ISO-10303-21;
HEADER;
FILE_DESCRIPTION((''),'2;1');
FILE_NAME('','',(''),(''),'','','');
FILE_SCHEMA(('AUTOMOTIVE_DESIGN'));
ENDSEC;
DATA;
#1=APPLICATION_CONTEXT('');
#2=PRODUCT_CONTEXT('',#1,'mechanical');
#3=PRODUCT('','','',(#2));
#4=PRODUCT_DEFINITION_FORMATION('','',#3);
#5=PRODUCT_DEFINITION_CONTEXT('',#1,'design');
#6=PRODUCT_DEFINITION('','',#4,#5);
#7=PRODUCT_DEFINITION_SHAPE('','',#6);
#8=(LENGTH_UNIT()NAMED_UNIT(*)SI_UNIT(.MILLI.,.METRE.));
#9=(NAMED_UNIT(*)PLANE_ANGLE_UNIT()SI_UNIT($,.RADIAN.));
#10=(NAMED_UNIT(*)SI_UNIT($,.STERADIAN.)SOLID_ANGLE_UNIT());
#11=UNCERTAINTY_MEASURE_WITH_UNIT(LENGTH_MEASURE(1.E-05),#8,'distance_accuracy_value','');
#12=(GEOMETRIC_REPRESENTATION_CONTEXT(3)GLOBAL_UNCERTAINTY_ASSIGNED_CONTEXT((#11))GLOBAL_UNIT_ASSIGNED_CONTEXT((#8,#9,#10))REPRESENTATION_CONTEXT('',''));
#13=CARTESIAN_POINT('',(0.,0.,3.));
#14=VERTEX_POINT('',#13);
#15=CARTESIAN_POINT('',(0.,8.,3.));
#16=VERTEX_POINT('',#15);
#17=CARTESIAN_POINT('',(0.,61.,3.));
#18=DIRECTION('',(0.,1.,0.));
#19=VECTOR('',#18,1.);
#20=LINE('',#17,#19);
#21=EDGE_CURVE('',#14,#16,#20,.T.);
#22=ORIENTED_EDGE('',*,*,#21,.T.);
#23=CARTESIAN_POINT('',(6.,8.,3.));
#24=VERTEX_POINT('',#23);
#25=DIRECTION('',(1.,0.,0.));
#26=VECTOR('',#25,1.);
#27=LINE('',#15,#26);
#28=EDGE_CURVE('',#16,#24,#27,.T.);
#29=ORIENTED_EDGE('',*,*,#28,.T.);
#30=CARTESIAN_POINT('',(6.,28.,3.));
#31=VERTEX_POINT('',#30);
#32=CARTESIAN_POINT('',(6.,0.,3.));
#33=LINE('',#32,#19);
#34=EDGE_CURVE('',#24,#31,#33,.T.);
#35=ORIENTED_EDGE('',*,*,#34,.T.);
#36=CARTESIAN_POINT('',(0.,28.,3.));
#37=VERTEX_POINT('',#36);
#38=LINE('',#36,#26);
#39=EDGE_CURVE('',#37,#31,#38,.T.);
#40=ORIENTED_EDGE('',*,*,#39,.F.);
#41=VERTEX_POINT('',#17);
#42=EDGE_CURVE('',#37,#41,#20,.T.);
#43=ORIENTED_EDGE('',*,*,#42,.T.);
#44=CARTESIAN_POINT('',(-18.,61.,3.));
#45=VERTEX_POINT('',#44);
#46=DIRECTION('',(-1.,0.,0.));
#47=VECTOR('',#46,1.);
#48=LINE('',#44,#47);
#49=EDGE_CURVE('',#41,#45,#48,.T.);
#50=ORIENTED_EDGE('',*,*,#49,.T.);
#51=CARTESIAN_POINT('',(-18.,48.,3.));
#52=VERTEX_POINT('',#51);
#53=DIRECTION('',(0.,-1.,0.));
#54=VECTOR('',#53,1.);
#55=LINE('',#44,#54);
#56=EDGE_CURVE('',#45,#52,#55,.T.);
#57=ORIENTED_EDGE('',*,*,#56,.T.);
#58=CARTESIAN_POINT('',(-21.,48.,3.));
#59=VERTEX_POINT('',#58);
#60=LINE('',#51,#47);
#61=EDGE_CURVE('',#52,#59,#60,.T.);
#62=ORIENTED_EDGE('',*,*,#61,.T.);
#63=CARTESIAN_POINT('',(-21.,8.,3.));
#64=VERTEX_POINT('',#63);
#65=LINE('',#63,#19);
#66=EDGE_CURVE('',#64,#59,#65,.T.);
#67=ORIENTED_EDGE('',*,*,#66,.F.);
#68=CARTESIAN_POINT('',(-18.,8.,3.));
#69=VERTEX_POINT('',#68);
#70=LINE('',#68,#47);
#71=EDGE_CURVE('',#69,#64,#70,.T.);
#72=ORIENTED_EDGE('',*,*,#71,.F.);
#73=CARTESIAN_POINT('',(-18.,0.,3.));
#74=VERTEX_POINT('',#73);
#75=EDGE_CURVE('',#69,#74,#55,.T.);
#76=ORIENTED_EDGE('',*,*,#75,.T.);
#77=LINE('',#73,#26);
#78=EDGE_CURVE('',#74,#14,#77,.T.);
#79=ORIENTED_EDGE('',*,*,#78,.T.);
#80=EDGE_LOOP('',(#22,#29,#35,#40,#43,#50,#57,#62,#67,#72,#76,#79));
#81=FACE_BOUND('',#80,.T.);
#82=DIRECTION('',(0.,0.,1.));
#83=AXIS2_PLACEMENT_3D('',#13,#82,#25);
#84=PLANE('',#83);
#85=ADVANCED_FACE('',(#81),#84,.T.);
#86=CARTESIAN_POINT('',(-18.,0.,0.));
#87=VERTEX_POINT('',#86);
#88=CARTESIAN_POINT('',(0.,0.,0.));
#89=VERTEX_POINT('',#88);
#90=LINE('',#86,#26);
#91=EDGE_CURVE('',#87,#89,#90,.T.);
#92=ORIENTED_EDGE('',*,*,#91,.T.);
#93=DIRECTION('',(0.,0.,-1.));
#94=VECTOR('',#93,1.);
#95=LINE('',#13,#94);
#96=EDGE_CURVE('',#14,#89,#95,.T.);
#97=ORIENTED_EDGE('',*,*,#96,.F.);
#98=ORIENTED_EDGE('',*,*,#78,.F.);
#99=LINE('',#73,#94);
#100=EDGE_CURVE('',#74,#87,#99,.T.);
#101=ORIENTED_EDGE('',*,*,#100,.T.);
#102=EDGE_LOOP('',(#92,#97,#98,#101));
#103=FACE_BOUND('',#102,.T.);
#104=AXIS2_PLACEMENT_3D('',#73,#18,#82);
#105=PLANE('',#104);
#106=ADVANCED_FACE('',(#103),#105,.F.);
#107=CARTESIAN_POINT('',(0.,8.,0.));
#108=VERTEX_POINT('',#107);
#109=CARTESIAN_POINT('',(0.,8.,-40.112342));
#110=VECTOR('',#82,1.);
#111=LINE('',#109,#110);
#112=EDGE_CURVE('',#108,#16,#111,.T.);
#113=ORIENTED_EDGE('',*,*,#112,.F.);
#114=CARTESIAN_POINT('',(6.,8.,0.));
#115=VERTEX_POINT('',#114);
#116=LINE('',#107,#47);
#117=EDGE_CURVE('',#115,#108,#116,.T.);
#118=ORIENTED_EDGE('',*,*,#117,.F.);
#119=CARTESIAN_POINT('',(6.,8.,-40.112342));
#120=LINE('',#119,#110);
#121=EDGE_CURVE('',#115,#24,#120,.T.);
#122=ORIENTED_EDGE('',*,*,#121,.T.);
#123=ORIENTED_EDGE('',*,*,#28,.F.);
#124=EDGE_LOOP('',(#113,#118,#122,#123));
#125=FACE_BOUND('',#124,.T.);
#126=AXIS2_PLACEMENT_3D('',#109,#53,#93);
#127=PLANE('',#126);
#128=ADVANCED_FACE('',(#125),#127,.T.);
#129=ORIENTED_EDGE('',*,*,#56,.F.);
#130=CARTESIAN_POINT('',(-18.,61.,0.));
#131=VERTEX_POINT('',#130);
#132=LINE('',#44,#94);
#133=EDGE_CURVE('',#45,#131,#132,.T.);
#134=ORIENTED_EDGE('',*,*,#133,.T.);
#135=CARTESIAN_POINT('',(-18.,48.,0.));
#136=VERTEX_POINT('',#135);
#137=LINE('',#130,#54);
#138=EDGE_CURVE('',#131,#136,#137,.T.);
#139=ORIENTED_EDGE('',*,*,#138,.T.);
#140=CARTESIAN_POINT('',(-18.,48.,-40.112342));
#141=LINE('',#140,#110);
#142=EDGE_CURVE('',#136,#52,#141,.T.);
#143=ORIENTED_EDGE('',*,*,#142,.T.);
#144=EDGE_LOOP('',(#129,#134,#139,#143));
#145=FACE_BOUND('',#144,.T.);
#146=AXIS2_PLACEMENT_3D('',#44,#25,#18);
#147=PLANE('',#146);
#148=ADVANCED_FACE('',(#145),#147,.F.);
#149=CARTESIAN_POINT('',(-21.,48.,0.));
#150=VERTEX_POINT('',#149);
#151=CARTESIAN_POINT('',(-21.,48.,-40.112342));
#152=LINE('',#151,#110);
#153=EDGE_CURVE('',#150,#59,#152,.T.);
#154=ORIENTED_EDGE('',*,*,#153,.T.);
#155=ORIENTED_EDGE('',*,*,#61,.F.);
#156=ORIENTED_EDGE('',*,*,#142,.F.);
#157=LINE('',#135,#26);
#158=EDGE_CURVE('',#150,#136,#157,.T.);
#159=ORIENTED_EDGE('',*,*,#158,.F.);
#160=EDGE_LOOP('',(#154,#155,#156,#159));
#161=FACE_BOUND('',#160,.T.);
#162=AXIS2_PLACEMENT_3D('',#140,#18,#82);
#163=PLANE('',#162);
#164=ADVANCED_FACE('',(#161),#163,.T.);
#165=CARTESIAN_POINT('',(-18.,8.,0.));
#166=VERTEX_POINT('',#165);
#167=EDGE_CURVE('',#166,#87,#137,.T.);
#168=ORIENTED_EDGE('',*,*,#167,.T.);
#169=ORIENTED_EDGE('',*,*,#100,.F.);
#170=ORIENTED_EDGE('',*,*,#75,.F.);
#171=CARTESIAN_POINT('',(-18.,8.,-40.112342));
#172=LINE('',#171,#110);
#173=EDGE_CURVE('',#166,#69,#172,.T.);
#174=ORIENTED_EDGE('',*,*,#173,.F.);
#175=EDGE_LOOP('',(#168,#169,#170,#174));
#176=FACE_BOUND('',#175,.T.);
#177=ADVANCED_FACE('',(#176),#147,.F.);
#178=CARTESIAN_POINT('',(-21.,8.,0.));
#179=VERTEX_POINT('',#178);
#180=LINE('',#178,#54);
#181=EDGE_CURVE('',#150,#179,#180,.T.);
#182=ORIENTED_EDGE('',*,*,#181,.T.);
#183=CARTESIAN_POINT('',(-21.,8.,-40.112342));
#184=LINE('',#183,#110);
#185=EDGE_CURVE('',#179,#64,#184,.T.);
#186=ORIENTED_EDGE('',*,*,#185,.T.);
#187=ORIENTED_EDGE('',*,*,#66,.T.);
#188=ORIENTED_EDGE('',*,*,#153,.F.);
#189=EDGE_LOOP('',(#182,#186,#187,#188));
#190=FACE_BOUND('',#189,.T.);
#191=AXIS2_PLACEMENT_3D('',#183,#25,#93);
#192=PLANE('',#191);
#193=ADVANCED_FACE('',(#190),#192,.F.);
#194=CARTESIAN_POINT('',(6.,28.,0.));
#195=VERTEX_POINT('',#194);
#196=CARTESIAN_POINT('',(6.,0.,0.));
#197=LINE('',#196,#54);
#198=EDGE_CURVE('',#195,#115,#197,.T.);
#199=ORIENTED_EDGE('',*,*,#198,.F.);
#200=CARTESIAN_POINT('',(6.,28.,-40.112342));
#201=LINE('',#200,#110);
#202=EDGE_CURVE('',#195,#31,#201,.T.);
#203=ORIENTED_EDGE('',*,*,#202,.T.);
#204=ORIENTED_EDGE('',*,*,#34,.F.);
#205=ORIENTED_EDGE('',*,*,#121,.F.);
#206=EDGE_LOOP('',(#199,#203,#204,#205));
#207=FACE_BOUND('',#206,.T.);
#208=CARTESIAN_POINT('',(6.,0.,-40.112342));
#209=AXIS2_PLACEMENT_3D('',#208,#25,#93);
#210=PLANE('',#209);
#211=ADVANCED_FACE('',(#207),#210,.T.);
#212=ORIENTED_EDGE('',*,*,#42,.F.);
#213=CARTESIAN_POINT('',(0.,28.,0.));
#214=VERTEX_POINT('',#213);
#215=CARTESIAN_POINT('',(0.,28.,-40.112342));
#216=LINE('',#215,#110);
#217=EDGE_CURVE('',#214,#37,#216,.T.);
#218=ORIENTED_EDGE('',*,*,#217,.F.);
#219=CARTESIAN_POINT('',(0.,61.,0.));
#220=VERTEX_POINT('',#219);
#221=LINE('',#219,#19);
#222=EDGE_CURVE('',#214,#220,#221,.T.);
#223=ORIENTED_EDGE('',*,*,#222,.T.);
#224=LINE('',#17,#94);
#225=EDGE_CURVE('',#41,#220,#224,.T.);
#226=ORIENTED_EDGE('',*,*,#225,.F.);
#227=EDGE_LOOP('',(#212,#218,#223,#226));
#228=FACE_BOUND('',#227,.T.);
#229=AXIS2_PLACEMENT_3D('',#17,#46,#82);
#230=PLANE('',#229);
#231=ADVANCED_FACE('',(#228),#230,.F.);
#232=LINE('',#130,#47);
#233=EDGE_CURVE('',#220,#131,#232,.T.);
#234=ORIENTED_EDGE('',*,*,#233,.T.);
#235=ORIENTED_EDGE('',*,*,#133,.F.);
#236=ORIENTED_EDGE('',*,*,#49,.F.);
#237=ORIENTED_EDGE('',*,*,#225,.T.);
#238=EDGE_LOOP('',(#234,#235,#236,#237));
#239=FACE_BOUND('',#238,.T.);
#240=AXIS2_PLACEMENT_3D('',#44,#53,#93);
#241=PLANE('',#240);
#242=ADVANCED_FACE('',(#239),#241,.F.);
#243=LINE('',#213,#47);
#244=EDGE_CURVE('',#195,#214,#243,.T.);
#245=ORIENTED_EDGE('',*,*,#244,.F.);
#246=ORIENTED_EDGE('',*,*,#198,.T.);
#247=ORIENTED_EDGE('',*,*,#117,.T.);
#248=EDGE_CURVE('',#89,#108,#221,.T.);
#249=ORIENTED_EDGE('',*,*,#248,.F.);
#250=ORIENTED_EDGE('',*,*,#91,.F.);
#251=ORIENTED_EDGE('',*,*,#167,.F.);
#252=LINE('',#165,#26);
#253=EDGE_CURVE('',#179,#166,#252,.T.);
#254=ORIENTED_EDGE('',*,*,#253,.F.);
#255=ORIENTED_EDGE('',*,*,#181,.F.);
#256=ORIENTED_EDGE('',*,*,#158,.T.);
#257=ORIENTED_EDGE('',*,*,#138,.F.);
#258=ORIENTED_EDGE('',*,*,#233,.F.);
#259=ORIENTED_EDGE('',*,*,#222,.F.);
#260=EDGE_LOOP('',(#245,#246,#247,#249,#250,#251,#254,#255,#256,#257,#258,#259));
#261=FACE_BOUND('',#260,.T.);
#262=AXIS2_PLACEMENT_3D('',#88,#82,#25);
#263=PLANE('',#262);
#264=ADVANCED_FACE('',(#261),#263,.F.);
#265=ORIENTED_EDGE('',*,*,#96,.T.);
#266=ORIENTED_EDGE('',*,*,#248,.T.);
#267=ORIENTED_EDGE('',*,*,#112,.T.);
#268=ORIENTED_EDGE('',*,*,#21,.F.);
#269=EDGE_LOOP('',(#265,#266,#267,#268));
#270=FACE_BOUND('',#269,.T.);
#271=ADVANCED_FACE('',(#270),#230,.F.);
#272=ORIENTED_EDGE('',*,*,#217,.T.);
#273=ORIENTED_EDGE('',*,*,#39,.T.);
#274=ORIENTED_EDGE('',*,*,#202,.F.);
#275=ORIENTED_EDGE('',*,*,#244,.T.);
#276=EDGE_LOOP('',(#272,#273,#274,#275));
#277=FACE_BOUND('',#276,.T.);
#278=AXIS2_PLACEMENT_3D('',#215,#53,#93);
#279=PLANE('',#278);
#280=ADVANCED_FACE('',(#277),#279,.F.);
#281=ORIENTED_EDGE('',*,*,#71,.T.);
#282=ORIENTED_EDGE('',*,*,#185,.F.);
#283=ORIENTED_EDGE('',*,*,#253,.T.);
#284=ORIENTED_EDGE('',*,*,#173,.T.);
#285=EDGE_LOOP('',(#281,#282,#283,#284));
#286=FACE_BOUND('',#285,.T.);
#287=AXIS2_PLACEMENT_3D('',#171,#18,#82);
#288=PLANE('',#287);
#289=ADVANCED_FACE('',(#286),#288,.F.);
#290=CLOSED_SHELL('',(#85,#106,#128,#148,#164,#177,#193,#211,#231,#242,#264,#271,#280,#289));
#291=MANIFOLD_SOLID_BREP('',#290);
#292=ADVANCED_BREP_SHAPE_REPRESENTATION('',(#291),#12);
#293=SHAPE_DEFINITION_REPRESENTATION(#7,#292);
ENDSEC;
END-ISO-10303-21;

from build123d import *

# Parameters (mm, degrees)
SKETCH1_W           = 18
SKETCH1_H           = 61
BASE_SHAPE_DEPTH    = 3
SKETCH2_W           = 6
SKETCH2_H           = 20
SKETCH2_W_2         = 3
SKETCH2_H_2         = 40
BOSS_EXTRUDE2_DEPTH = 3


with BuildPart() as part:
    # Sketch1 → Base Shape (new body)
    with BuildSketch(Plane.XY):
        with Locations((-9, 30.5)):
            Rectangle(SKETCH1_W, SKETCH1_H)
    extrude(amount=BASE_SHAPE_DEPTH)

    # Sketch2 → Boss-Extrude2 (add)
    with BuildSketch(Plane.XY.offset(3)):
        with Locations((3, 18)):
            Rectangle(SKETCH2_W, SKETCH2_H)
        with Locations((-19.5, 28)):
            Rectangle(SKETCH2_W_2, SKETCH2_H_2)
    extrude(amount=-BOSS_EXTRUDE2_DEPTH)


solid = part.part
